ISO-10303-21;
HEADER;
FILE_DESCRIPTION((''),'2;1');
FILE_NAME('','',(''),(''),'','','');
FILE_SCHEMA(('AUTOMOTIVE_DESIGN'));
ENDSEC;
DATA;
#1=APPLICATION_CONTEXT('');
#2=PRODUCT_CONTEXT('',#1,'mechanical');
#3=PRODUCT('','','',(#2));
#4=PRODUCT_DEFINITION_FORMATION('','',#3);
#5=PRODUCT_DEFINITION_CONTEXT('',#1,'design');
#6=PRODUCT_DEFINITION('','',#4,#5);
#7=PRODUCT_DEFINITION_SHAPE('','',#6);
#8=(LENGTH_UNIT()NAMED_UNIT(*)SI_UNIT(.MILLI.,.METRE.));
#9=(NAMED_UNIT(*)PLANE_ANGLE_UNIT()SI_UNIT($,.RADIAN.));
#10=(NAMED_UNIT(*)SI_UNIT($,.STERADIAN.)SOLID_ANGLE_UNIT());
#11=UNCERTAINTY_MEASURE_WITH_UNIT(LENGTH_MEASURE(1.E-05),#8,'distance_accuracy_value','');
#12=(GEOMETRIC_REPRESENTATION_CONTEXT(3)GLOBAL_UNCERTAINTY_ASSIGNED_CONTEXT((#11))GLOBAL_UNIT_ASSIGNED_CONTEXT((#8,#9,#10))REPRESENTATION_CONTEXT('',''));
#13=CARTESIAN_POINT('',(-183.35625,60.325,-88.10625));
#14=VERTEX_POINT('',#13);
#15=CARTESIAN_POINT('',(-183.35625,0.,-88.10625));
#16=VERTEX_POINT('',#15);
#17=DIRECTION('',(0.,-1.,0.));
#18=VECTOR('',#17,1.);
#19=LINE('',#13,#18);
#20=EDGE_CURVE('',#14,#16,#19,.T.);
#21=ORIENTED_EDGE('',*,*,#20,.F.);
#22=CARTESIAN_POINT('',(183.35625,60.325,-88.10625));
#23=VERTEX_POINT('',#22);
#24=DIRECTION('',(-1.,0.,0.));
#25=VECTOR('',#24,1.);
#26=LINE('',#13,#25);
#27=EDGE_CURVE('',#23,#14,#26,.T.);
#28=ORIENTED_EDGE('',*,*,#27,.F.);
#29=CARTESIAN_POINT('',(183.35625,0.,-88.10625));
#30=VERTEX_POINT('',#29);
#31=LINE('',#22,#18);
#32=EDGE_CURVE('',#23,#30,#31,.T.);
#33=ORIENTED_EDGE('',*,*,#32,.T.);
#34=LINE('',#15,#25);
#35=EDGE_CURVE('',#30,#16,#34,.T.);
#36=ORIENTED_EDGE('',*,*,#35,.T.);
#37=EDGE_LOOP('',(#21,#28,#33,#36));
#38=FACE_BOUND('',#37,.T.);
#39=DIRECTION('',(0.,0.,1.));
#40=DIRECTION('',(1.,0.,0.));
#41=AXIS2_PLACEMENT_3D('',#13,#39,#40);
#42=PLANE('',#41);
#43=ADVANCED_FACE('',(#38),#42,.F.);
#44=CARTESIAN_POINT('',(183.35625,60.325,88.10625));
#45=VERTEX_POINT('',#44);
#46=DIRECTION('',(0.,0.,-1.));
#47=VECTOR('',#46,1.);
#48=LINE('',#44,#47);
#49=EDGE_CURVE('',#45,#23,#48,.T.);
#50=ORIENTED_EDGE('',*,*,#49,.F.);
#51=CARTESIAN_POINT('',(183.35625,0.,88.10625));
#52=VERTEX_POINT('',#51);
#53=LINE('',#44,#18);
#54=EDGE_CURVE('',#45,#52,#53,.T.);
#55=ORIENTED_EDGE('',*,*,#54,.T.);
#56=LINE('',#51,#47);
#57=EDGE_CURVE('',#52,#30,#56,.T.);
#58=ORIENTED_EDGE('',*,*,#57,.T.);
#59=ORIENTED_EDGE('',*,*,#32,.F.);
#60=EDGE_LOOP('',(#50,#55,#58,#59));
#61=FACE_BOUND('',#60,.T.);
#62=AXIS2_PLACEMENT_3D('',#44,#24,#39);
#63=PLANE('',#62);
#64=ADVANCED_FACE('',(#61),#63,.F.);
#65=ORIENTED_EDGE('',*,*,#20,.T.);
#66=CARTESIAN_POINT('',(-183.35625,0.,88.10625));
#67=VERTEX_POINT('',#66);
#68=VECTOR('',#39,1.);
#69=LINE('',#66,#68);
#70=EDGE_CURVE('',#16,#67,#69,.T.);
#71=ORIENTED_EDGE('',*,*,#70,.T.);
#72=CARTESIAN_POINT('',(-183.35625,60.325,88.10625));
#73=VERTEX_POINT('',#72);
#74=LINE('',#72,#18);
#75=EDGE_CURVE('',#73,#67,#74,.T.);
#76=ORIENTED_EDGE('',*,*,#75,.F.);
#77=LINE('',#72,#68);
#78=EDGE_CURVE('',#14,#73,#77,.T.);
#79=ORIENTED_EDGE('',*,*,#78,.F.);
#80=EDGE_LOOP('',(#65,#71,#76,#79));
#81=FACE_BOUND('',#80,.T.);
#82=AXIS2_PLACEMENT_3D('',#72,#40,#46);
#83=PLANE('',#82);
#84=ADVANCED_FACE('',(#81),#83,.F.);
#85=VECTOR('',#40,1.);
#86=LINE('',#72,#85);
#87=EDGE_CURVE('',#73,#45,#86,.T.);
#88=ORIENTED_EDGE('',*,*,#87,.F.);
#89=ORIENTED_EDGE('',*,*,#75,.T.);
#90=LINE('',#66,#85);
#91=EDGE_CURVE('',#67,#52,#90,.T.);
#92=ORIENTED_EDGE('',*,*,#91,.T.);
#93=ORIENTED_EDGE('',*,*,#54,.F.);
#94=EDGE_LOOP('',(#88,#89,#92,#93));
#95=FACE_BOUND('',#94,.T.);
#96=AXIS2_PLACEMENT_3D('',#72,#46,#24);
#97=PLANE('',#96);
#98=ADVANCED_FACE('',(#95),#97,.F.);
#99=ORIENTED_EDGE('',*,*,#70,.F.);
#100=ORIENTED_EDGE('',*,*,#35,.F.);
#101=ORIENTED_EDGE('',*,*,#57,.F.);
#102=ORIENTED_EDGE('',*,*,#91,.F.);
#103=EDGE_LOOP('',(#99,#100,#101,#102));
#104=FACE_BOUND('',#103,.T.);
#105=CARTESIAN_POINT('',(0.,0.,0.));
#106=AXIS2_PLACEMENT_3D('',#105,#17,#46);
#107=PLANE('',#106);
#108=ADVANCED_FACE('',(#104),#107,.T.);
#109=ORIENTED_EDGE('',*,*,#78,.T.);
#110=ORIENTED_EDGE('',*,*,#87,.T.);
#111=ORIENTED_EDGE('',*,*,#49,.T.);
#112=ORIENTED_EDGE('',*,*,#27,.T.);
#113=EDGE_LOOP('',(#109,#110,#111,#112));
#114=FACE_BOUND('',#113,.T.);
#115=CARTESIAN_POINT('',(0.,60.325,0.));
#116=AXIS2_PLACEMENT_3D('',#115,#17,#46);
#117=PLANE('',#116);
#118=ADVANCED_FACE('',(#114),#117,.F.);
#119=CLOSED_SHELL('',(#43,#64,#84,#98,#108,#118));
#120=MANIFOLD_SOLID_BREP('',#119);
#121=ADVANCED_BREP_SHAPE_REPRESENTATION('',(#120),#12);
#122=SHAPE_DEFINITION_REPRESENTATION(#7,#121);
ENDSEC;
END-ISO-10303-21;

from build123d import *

# Parameters (mm, degrees)
SKETCH1_W           = 366.7125
SKETCH1_H           = 176.2125
BOSS_EXTRUDE1_DEPTH = 60.325


with BuildPart() as part:
    # Sketch1 → Boss-Extrude1 (new body)
    with BuildSketch(Plane(origin=(0, 0, 0), x_dir=(1, 0, 0), z_dir=(0, 1, 0))):
        Rectangle(SKETCH1_W, SKETCH1_H)
    extrude(amount=BOSS_EXTRUDE1_DEPTH)


solid = part.part
